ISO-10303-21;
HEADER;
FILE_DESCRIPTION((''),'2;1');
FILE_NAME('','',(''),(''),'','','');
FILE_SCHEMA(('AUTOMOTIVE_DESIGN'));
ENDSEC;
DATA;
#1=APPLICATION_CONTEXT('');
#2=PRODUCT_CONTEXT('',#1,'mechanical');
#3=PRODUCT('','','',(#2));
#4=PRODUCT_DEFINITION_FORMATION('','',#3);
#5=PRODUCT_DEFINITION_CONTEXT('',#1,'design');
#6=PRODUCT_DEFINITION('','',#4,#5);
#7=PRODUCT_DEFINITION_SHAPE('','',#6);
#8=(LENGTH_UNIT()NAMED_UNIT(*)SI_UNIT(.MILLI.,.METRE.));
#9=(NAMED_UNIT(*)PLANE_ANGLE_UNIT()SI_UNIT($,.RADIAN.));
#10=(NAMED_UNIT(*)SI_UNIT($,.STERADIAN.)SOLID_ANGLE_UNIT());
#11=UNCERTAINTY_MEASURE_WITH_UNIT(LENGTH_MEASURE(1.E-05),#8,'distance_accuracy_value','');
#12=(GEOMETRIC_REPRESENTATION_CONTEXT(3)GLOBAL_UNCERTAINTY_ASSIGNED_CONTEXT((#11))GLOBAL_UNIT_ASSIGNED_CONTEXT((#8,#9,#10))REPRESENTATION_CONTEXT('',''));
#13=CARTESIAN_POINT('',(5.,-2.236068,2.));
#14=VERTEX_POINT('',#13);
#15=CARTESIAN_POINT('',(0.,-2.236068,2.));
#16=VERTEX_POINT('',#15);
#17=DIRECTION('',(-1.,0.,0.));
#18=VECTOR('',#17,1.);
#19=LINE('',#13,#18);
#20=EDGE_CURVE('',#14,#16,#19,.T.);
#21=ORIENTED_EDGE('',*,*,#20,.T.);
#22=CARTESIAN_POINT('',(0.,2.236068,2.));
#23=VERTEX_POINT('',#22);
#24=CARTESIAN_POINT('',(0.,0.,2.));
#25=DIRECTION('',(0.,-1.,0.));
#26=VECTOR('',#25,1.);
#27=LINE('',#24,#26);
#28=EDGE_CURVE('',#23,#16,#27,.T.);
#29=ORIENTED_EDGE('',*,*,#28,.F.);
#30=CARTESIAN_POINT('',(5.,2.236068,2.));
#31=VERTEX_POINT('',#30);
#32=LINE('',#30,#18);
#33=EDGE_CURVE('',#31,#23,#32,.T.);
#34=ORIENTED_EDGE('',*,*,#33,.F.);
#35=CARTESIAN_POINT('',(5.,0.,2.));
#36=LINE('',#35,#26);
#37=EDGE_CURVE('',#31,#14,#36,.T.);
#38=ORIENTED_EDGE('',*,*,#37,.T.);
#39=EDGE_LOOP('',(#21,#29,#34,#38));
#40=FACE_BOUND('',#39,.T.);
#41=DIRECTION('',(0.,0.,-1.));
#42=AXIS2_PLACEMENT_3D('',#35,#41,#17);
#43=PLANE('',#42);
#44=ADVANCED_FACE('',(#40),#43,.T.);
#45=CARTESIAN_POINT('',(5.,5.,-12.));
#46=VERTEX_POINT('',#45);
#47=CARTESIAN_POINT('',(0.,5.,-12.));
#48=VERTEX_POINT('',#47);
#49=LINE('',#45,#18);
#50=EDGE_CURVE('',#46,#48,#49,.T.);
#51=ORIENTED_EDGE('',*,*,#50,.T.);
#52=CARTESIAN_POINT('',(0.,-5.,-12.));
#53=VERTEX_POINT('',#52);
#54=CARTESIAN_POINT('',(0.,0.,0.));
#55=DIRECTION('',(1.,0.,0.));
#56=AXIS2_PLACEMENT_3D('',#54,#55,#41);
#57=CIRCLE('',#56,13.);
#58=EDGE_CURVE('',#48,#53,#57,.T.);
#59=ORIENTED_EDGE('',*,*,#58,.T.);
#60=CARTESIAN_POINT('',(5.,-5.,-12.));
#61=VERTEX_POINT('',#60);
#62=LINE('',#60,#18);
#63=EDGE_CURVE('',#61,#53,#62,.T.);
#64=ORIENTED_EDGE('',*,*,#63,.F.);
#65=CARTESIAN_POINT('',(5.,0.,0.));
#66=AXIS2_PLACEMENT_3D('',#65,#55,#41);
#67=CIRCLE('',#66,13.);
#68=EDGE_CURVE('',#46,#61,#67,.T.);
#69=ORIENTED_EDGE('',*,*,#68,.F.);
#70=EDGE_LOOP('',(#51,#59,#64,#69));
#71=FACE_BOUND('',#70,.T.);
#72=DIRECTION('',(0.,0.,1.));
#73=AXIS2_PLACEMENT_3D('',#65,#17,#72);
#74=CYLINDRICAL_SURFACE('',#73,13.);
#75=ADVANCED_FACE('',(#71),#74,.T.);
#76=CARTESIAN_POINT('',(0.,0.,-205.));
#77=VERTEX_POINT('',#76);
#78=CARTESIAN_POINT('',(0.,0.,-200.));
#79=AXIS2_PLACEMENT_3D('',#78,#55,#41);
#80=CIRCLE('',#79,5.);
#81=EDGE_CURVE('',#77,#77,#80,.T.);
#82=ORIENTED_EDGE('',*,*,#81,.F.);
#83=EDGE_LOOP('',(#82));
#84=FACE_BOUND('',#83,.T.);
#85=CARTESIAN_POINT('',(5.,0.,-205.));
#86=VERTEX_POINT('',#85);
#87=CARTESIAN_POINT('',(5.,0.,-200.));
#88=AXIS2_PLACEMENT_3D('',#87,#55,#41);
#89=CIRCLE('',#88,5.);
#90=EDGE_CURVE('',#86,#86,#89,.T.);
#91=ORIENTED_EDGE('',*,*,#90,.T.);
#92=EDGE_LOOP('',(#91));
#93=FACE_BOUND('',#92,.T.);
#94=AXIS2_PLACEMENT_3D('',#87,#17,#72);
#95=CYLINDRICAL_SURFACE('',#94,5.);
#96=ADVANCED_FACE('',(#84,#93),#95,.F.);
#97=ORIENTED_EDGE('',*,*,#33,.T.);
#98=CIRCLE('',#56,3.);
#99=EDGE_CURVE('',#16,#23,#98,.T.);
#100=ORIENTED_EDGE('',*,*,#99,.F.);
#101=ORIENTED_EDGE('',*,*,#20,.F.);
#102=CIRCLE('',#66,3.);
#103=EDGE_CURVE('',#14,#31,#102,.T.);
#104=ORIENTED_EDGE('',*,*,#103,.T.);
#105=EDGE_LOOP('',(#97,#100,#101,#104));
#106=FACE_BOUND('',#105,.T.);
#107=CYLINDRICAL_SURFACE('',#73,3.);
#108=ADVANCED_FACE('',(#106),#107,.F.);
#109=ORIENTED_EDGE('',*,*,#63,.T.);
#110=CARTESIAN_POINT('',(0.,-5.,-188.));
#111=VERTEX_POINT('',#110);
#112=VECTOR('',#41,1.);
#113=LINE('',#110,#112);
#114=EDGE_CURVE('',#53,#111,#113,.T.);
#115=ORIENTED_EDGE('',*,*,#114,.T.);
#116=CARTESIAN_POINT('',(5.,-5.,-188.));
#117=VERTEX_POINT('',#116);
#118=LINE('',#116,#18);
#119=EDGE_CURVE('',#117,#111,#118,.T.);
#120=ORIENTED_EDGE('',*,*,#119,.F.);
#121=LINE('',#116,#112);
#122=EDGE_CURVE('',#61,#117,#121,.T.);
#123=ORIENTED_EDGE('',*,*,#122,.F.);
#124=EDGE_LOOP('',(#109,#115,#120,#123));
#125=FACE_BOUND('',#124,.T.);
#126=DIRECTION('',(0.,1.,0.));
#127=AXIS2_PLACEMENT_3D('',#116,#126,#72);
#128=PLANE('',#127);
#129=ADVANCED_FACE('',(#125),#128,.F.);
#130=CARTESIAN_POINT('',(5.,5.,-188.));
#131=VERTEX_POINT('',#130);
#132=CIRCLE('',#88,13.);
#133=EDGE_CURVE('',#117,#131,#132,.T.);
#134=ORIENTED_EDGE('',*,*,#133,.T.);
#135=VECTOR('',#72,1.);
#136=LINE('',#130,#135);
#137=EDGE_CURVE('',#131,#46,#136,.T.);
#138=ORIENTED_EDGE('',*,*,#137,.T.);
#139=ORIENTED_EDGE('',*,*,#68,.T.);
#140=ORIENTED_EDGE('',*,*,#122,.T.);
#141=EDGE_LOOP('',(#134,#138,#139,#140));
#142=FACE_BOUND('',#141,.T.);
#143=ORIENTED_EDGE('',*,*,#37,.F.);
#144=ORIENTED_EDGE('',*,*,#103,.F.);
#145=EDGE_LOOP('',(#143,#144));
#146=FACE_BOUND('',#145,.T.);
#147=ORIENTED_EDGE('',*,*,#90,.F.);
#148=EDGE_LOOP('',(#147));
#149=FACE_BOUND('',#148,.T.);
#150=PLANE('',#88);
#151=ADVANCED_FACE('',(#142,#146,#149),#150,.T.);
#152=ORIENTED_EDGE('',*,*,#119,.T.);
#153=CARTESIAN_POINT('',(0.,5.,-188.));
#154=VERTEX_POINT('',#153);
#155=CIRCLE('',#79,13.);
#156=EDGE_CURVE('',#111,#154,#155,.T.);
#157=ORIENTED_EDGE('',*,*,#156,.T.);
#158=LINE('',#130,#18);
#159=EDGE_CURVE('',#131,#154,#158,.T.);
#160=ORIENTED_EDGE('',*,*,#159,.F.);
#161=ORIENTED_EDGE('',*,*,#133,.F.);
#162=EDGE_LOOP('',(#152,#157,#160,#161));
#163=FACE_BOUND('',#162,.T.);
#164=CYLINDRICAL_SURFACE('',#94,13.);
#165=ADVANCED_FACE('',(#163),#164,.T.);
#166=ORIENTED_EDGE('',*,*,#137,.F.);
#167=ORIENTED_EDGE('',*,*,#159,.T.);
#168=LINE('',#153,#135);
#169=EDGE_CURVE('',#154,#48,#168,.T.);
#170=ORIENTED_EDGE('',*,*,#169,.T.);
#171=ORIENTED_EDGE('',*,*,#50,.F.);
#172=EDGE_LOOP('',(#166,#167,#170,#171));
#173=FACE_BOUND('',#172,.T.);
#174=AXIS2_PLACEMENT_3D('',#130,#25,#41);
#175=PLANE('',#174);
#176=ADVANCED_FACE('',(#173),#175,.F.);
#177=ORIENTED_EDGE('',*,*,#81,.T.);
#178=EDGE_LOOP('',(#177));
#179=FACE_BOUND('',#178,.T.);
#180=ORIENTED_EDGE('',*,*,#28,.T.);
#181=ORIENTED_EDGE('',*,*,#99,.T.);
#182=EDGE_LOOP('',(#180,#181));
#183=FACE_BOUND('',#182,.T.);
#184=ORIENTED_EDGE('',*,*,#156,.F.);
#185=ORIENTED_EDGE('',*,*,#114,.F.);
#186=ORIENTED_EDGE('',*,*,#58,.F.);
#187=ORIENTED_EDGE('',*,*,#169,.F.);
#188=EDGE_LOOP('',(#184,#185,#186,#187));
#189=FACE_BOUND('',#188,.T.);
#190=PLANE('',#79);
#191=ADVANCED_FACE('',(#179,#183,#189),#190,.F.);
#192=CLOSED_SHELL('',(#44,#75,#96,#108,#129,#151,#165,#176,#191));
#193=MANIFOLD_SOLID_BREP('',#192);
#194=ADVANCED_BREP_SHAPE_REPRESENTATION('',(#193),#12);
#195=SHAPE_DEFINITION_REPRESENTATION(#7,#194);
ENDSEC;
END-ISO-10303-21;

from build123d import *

# Parameters (mm, degrees)
CROQUIS1_R              = 5
SALIENTE_EXTRUIR1_DEPTH = 5


with BuildPart() as part:
    # Croquis1 → Saliente-Extruir1 (new body)
    with BuildSketch(Plane(origin=(0, 0, 0), x_dir=(0, 0, -1), z_dir=(1, 0, 0))):
        with BuildLine():
            Line((188, -5), (12, -5))
            ThreePointArc((12, -5), (-13, 0), (12, 5))
            Line((12, 5), (188, 5))
            ThreePointArc((188, 5), (213, 0), (188, -5))
        make_face()
        with Locations((200, 0)):
            Circle(CROQUIS1_R, mode=Mode.SUBTRACT)
        with BuildLine():
            Line((-2, 0), (-2, 2.236067977))
            ThreePointArc((-2, 2.236067977), (3, 0), (-2, -2.236067977))
            Line((-2, -2.236067977), (-2, 0))
        make_face(mode=Mode.SUBTRACT)
    extrude(amount=SALIENTE_EXTRUIR1_DEPTH)


solid = part.part
